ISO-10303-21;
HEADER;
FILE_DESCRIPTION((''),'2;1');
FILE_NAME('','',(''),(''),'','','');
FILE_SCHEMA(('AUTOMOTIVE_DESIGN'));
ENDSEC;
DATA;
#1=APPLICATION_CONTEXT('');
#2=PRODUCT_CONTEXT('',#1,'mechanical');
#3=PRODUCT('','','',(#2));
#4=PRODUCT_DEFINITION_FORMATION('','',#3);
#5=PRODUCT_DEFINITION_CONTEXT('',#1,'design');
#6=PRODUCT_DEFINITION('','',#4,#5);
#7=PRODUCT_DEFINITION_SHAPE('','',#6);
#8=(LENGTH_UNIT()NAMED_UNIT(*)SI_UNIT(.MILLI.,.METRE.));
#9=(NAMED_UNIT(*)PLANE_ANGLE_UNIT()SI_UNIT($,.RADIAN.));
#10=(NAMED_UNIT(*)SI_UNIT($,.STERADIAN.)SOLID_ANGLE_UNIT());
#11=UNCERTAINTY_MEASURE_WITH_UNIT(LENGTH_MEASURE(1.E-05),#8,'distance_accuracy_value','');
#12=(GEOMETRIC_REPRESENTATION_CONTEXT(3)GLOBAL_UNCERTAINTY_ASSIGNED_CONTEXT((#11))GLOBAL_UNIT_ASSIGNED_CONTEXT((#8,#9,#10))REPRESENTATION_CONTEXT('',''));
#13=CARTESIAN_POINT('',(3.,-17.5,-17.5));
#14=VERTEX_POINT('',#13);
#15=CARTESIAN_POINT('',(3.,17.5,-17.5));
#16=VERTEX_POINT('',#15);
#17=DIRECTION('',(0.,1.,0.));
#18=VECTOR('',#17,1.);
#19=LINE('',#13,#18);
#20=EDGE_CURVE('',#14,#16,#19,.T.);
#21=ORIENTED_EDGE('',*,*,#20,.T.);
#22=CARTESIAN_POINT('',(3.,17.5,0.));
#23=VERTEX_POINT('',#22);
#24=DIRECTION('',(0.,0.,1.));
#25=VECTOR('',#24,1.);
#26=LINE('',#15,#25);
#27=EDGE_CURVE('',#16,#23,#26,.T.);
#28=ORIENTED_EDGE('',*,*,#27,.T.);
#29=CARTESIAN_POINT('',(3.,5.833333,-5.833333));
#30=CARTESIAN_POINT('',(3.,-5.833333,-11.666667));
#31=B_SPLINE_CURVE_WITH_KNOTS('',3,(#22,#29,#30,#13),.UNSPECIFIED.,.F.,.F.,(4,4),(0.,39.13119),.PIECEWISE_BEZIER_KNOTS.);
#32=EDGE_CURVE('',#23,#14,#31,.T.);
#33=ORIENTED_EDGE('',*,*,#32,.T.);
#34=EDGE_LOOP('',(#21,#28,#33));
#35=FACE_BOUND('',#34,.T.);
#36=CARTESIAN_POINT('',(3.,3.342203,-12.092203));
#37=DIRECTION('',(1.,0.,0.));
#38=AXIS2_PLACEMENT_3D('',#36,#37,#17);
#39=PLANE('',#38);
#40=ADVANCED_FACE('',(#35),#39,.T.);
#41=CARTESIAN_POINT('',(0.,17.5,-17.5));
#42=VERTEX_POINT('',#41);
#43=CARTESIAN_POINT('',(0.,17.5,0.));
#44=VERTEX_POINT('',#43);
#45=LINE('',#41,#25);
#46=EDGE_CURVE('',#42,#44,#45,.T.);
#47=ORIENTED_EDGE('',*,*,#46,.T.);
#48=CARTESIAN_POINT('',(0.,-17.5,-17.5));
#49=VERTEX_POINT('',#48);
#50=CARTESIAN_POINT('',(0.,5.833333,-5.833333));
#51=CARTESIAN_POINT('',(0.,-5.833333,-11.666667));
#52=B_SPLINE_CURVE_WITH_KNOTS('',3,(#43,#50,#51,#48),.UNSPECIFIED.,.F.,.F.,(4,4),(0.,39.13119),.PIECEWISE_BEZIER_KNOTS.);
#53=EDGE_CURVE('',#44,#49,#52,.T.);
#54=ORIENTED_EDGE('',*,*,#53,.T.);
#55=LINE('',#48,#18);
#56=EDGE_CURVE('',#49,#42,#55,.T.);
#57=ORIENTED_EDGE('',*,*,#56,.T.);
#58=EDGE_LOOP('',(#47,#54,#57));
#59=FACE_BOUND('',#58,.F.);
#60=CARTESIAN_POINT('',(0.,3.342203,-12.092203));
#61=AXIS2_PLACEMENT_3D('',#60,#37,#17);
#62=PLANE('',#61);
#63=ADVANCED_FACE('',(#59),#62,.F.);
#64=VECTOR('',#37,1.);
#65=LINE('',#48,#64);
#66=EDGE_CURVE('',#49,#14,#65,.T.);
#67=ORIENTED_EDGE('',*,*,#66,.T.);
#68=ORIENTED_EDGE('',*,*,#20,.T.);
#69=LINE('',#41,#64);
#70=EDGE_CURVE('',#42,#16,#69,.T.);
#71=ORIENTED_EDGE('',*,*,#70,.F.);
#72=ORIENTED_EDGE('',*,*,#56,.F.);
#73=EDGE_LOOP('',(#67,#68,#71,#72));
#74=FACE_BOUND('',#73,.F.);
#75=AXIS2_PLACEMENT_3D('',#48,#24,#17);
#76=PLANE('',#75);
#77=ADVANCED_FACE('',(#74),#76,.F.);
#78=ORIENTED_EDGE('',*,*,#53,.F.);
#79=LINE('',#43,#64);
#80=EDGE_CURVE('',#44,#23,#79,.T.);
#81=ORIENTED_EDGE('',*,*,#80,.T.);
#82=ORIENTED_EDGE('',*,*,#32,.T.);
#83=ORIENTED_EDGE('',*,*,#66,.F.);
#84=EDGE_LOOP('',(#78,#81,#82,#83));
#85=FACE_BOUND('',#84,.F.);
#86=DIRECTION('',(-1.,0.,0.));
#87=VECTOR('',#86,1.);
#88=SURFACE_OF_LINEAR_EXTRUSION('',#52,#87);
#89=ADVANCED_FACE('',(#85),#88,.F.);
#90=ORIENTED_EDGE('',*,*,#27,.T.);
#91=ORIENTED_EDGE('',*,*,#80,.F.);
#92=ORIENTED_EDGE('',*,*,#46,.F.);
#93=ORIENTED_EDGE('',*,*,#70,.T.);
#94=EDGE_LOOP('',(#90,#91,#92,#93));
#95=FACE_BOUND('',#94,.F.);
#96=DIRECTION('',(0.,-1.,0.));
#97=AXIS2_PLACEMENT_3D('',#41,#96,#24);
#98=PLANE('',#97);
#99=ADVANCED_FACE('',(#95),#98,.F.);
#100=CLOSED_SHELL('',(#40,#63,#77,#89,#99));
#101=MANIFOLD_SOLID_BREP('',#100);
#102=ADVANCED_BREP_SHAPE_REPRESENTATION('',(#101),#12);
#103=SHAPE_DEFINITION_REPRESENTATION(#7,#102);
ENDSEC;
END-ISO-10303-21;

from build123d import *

# Parameters (mm, degrees)
F1_DEPTH = 3


with BuildPart() as f1:
    # F0 (on Right) → F1 (new body)
    with BuildSketch(Plane.YZ):
        with BuildLine():
            add(Edge.make_bspline(
                [(17.5, 0), (5.833333, -5.833333), (-5.833333, -11.666667), (-17.5, -17.5)],
                knots=[0, 0, 0, 0, 39.13119, 39.13119, 39.13119, 39.13119], degree=3))
            Line((-17.5, -17.5), (17.5, -17.5))
            Line((17.5, -17.5), (17.5, 0))
        make_face()
    extrude(amount=F1_DEPTH)


solid = f1.part
